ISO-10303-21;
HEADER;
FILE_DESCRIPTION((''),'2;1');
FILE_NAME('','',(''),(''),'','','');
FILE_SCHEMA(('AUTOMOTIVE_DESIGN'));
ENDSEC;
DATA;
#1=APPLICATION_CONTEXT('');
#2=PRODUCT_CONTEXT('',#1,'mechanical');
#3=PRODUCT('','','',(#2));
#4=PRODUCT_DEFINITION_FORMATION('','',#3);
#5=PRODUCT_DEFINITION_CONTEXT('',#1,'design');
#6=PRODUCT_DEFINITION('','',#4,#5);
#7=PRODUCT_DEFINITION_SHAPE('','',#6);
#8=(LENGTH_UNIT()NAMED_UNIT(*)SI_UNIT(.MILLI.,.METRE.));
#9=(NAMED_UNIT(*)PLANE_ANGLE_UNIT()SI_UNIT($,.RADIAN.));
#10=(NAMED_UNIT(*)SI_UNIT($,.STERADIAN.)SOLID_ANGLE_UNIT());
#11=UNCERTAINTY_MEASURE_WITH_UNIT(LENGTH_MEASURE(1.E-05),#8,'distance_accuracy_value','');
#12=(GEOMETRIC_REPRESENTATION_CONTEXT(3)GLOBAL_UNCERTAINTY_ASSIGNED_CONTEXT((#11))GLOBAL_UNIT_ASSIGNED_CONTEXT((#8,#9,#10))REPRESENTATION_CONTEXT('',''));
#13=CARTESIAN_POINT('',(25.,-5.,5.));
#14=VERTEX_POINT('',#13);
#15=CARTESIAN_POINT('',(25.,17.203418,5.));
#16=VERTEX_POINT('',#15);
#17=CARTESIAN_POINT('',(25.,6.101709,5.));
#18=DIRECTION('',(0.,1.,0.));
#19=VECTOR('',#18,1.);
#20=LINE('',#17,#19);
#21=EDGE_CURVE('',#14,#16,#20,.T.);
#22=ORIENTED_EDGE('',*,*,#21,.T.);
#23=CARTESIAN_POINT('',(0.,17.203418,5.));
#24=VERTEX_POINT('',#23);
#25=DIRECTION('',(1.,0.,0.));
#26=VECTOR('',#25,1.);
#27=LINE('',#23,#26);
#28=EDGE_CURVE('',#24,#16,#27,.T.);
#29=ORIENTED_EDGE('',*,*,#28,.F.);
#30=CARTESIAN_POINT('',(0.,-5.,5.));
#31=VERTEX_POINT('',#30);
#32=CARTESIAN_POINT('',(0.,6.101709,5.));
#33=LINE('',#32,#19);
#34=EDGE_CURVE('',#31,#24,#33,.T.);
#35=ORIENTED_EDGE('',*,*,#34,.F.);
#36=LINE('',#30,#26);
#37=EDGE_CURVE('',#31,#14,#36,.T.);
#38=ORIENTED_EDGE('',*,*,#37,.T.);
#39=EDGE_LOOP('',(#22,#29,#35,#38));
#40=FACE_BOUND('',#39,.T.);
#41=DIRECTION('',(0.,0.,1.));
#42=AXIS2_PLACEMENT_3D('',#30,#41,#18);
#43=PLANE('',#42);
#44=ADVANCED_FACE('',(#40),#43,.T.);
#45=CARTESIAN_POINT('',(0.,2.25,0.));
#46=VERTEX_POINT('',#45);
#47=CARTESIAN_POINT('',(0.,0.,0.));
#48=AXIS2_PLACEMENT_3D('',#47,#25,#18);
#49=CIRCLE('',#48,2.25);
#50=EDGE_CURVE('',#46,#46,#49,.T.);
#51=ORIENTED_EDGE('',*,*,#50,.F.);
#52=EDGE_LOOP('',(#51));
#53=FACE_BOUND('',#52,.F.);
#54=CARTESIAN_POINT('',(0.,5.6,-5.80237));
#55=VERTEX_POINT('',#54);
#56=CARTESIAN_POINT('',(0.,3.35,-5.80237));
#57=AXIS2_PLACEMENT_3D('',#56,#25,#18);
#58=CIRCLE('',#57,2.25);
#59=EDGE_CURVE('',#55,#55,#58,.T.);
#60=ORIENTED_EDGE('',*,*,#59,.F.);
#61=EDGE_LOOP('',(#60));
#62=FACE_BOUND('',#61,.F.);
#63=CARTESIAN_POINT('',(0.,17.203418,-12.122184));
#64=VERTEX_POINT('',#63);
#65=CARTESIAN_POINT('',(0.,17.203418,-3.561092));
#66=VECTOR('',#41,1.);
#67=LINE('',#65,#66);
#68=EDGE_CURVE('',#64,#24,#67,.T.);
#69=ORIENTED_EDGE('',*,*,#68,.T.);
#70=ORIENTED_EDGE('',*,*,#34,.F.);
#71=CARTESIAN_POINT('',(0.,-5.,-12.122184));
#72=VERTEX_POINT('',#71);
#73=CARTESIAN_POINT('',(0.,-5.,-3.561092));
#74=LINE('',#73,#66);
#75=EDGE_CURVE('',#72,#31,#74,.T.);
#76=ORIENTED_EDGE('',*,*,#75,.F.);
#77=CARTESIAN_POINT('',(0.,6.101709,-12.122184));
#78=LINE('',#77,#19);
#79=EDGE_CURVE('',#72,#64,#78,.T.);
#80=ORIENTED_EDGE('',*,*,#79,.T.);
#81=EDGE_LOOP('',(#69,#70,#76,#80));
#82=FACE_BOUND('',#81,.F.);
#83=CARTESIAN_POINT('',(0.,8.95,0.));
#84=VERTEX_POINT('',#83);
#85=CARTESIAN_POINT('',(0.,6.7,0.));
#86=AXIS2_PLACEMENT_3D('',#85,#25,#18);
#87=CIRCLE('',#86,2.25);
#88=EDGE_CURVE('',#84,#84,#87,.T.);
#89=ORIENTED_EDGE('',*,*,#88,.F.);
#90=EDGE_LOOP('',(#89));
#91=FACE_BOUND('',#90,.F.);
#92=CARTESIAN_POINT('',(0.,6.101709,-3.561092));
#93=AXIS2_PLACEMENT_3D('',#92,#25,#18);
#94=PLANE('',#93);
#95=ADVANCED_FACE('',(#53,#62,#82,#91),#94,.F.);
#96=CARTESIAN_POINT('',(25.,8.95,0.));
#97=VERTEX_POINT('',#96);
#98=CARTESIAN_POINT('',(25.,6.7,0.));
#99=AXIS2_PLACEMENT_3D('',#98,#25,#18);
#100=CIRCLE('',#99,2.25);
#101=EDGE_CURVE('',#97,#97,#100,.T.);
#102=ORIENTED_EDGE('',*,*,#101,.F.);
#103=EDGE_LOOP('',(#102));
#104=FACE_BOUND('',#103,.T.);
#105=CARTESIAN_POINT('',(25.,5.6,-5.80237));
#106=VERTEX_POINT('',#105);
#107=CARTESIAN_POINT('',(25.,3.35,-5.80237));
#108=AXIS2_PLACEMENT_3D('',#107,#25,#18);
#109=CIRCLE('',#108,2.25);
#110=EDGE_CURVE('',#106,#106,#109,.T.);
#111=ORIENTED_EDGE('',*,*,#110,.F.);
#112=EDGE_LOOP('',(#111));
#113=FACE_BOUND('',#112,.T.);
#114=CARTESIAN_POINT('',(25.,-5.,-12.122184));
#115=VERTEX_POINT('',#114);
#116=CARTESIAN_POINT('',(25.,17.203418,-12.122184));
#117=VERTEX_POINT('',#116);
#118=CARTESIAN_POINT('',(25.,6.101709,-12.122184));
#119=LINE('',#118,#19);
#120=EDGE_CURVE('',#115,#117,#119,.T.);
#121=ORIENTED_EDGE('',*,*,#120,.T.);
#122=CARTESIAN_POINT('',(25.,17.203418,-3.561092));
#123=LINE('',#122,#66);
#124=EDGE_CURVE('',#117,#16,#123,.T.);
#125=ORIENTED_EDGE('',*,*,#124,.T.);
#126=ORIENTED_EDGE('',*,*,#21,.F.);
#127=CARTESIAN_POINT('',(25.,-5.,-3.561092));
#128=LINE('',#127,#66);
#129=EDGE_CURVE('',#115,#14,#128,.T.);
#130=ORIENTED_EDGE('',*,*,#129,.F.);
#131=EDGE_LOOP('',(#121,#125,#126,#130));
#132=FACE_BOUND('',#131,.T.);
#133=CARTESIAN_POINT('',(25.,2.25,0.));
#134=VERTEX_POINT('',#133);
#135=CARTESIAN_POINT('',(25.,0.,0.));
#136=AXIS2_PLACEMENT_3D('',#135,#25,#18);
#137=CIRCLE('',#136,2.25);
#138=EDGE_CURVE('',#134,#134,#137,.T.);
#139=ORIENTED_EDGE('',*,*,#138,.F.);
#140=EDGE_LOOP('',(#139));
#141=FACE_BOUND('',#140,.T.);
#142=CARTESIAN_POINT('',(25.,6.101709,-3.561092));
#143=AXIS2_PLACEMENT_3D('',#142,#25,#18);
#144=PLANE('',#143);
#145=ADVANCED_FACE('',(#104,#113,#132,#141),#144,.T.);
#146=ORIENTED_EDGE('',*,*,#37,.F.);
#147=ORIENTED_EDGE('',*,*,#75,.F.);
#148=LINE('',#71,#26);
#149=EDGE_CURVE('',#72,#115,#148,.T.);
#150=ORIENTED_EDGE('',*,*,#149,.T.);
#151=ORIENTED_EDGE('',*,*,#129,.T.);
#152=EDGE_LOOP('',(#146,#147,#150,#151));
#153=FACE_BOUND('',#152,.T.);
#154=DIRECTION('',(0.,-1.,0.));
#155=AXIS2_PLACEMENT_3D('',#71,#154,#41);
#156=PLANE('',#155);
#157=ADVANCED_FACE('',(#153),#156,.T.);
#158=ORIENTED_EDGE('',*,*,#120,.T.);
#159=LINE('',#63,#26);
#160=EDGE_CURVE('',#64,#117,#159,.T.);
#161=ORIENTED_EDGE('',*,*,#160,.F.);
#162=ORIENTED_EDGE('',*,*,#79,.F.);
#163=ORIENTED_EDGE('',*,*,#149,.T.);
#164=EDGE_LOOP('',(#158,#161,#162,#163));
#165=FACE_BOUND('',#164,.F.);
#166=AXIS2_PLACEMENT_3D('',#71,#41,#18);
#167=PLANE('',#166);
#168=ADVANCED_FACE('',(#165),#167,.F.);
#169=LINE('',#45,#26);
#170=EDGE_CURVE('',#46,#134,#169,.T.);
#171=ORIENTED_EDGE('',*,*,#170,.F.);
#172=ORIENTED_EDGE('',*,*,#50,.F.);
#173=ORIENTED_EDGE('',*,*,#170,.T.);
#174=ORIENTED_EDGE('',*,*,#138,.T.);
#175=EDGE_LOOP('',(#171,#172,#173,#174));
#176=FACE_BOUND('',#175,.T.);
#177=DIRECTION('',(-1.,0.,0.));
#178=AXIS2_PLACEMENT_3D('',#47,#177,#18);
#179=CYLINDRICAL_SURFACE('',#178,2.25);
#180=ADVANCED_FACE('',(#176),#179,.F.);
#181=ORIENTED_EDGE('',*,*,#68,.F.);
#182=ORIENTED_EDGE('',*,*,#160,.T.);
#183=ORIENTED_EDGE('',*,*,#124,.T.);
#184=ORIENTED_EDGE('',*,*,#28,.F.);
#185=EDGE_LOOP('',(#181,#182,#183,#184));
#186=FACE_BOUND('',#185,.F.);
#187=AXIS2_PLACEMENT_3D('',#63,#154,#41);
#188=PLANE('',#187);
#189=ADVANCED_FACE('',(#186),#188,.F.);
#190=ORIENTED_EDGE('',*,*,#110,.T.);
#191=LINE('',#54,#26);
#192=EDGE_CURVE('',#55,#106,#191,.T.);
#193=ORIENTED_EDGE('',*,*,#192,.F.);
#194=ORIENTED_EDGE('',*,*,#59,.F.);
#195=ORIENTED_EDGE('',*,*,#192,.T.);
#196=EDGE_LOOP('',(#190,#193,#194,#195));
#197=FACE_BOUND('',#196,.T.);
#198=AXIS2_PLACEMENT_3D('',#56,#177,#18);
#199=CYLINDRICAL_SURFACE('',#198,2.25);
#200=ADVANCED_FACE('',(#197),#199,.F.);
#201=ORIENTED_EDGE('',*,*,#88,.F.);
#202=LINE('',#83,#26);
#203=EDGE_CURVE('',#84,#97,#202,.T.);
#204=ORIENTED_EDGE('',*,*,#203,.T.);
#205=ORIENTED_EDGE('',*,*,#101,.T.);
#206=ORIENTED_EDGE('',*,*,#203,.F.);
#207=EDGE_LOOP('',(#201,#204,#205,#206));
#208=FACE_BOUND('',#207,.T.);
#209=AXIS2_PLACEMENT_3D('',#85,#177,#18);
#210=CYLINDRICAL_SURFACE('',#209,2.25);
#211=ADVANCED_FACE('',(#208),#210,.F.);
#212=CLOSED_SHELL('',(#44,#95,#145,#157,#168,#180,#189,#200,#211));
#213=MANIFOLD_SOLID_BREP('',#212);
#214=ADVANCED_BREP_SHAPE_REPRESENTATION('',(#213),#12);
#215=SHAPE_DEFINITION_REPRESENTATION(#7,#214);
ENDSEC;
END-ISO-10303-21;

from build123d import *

# Parameters (mm, degrees)
F0_W     = 22.203418
F0_H     = 17.122185
F0_R     = 2.25
F1_DEPTH = 25


with BuildPart() as f1:
    # F0 (on Right) → F1 (new body)
    with BuildSketch(Plane.YZ):
        with Locations((6.101709, -3.561092)):
            Rectangle(F0_W, F0_H)
        with Locations((3.35, -5.80237)):
            Circle(F0_R, mode=Mode.SUBTRACT)
        Circle(F0_R, mode=Mode.SUBTRACT)
        with Locations((6.7, 0)):
            Circle(F0_R, mode=Mode.SUBTRACT)
    extrude(amount=F1_DEPTH)


solid = f1.part
